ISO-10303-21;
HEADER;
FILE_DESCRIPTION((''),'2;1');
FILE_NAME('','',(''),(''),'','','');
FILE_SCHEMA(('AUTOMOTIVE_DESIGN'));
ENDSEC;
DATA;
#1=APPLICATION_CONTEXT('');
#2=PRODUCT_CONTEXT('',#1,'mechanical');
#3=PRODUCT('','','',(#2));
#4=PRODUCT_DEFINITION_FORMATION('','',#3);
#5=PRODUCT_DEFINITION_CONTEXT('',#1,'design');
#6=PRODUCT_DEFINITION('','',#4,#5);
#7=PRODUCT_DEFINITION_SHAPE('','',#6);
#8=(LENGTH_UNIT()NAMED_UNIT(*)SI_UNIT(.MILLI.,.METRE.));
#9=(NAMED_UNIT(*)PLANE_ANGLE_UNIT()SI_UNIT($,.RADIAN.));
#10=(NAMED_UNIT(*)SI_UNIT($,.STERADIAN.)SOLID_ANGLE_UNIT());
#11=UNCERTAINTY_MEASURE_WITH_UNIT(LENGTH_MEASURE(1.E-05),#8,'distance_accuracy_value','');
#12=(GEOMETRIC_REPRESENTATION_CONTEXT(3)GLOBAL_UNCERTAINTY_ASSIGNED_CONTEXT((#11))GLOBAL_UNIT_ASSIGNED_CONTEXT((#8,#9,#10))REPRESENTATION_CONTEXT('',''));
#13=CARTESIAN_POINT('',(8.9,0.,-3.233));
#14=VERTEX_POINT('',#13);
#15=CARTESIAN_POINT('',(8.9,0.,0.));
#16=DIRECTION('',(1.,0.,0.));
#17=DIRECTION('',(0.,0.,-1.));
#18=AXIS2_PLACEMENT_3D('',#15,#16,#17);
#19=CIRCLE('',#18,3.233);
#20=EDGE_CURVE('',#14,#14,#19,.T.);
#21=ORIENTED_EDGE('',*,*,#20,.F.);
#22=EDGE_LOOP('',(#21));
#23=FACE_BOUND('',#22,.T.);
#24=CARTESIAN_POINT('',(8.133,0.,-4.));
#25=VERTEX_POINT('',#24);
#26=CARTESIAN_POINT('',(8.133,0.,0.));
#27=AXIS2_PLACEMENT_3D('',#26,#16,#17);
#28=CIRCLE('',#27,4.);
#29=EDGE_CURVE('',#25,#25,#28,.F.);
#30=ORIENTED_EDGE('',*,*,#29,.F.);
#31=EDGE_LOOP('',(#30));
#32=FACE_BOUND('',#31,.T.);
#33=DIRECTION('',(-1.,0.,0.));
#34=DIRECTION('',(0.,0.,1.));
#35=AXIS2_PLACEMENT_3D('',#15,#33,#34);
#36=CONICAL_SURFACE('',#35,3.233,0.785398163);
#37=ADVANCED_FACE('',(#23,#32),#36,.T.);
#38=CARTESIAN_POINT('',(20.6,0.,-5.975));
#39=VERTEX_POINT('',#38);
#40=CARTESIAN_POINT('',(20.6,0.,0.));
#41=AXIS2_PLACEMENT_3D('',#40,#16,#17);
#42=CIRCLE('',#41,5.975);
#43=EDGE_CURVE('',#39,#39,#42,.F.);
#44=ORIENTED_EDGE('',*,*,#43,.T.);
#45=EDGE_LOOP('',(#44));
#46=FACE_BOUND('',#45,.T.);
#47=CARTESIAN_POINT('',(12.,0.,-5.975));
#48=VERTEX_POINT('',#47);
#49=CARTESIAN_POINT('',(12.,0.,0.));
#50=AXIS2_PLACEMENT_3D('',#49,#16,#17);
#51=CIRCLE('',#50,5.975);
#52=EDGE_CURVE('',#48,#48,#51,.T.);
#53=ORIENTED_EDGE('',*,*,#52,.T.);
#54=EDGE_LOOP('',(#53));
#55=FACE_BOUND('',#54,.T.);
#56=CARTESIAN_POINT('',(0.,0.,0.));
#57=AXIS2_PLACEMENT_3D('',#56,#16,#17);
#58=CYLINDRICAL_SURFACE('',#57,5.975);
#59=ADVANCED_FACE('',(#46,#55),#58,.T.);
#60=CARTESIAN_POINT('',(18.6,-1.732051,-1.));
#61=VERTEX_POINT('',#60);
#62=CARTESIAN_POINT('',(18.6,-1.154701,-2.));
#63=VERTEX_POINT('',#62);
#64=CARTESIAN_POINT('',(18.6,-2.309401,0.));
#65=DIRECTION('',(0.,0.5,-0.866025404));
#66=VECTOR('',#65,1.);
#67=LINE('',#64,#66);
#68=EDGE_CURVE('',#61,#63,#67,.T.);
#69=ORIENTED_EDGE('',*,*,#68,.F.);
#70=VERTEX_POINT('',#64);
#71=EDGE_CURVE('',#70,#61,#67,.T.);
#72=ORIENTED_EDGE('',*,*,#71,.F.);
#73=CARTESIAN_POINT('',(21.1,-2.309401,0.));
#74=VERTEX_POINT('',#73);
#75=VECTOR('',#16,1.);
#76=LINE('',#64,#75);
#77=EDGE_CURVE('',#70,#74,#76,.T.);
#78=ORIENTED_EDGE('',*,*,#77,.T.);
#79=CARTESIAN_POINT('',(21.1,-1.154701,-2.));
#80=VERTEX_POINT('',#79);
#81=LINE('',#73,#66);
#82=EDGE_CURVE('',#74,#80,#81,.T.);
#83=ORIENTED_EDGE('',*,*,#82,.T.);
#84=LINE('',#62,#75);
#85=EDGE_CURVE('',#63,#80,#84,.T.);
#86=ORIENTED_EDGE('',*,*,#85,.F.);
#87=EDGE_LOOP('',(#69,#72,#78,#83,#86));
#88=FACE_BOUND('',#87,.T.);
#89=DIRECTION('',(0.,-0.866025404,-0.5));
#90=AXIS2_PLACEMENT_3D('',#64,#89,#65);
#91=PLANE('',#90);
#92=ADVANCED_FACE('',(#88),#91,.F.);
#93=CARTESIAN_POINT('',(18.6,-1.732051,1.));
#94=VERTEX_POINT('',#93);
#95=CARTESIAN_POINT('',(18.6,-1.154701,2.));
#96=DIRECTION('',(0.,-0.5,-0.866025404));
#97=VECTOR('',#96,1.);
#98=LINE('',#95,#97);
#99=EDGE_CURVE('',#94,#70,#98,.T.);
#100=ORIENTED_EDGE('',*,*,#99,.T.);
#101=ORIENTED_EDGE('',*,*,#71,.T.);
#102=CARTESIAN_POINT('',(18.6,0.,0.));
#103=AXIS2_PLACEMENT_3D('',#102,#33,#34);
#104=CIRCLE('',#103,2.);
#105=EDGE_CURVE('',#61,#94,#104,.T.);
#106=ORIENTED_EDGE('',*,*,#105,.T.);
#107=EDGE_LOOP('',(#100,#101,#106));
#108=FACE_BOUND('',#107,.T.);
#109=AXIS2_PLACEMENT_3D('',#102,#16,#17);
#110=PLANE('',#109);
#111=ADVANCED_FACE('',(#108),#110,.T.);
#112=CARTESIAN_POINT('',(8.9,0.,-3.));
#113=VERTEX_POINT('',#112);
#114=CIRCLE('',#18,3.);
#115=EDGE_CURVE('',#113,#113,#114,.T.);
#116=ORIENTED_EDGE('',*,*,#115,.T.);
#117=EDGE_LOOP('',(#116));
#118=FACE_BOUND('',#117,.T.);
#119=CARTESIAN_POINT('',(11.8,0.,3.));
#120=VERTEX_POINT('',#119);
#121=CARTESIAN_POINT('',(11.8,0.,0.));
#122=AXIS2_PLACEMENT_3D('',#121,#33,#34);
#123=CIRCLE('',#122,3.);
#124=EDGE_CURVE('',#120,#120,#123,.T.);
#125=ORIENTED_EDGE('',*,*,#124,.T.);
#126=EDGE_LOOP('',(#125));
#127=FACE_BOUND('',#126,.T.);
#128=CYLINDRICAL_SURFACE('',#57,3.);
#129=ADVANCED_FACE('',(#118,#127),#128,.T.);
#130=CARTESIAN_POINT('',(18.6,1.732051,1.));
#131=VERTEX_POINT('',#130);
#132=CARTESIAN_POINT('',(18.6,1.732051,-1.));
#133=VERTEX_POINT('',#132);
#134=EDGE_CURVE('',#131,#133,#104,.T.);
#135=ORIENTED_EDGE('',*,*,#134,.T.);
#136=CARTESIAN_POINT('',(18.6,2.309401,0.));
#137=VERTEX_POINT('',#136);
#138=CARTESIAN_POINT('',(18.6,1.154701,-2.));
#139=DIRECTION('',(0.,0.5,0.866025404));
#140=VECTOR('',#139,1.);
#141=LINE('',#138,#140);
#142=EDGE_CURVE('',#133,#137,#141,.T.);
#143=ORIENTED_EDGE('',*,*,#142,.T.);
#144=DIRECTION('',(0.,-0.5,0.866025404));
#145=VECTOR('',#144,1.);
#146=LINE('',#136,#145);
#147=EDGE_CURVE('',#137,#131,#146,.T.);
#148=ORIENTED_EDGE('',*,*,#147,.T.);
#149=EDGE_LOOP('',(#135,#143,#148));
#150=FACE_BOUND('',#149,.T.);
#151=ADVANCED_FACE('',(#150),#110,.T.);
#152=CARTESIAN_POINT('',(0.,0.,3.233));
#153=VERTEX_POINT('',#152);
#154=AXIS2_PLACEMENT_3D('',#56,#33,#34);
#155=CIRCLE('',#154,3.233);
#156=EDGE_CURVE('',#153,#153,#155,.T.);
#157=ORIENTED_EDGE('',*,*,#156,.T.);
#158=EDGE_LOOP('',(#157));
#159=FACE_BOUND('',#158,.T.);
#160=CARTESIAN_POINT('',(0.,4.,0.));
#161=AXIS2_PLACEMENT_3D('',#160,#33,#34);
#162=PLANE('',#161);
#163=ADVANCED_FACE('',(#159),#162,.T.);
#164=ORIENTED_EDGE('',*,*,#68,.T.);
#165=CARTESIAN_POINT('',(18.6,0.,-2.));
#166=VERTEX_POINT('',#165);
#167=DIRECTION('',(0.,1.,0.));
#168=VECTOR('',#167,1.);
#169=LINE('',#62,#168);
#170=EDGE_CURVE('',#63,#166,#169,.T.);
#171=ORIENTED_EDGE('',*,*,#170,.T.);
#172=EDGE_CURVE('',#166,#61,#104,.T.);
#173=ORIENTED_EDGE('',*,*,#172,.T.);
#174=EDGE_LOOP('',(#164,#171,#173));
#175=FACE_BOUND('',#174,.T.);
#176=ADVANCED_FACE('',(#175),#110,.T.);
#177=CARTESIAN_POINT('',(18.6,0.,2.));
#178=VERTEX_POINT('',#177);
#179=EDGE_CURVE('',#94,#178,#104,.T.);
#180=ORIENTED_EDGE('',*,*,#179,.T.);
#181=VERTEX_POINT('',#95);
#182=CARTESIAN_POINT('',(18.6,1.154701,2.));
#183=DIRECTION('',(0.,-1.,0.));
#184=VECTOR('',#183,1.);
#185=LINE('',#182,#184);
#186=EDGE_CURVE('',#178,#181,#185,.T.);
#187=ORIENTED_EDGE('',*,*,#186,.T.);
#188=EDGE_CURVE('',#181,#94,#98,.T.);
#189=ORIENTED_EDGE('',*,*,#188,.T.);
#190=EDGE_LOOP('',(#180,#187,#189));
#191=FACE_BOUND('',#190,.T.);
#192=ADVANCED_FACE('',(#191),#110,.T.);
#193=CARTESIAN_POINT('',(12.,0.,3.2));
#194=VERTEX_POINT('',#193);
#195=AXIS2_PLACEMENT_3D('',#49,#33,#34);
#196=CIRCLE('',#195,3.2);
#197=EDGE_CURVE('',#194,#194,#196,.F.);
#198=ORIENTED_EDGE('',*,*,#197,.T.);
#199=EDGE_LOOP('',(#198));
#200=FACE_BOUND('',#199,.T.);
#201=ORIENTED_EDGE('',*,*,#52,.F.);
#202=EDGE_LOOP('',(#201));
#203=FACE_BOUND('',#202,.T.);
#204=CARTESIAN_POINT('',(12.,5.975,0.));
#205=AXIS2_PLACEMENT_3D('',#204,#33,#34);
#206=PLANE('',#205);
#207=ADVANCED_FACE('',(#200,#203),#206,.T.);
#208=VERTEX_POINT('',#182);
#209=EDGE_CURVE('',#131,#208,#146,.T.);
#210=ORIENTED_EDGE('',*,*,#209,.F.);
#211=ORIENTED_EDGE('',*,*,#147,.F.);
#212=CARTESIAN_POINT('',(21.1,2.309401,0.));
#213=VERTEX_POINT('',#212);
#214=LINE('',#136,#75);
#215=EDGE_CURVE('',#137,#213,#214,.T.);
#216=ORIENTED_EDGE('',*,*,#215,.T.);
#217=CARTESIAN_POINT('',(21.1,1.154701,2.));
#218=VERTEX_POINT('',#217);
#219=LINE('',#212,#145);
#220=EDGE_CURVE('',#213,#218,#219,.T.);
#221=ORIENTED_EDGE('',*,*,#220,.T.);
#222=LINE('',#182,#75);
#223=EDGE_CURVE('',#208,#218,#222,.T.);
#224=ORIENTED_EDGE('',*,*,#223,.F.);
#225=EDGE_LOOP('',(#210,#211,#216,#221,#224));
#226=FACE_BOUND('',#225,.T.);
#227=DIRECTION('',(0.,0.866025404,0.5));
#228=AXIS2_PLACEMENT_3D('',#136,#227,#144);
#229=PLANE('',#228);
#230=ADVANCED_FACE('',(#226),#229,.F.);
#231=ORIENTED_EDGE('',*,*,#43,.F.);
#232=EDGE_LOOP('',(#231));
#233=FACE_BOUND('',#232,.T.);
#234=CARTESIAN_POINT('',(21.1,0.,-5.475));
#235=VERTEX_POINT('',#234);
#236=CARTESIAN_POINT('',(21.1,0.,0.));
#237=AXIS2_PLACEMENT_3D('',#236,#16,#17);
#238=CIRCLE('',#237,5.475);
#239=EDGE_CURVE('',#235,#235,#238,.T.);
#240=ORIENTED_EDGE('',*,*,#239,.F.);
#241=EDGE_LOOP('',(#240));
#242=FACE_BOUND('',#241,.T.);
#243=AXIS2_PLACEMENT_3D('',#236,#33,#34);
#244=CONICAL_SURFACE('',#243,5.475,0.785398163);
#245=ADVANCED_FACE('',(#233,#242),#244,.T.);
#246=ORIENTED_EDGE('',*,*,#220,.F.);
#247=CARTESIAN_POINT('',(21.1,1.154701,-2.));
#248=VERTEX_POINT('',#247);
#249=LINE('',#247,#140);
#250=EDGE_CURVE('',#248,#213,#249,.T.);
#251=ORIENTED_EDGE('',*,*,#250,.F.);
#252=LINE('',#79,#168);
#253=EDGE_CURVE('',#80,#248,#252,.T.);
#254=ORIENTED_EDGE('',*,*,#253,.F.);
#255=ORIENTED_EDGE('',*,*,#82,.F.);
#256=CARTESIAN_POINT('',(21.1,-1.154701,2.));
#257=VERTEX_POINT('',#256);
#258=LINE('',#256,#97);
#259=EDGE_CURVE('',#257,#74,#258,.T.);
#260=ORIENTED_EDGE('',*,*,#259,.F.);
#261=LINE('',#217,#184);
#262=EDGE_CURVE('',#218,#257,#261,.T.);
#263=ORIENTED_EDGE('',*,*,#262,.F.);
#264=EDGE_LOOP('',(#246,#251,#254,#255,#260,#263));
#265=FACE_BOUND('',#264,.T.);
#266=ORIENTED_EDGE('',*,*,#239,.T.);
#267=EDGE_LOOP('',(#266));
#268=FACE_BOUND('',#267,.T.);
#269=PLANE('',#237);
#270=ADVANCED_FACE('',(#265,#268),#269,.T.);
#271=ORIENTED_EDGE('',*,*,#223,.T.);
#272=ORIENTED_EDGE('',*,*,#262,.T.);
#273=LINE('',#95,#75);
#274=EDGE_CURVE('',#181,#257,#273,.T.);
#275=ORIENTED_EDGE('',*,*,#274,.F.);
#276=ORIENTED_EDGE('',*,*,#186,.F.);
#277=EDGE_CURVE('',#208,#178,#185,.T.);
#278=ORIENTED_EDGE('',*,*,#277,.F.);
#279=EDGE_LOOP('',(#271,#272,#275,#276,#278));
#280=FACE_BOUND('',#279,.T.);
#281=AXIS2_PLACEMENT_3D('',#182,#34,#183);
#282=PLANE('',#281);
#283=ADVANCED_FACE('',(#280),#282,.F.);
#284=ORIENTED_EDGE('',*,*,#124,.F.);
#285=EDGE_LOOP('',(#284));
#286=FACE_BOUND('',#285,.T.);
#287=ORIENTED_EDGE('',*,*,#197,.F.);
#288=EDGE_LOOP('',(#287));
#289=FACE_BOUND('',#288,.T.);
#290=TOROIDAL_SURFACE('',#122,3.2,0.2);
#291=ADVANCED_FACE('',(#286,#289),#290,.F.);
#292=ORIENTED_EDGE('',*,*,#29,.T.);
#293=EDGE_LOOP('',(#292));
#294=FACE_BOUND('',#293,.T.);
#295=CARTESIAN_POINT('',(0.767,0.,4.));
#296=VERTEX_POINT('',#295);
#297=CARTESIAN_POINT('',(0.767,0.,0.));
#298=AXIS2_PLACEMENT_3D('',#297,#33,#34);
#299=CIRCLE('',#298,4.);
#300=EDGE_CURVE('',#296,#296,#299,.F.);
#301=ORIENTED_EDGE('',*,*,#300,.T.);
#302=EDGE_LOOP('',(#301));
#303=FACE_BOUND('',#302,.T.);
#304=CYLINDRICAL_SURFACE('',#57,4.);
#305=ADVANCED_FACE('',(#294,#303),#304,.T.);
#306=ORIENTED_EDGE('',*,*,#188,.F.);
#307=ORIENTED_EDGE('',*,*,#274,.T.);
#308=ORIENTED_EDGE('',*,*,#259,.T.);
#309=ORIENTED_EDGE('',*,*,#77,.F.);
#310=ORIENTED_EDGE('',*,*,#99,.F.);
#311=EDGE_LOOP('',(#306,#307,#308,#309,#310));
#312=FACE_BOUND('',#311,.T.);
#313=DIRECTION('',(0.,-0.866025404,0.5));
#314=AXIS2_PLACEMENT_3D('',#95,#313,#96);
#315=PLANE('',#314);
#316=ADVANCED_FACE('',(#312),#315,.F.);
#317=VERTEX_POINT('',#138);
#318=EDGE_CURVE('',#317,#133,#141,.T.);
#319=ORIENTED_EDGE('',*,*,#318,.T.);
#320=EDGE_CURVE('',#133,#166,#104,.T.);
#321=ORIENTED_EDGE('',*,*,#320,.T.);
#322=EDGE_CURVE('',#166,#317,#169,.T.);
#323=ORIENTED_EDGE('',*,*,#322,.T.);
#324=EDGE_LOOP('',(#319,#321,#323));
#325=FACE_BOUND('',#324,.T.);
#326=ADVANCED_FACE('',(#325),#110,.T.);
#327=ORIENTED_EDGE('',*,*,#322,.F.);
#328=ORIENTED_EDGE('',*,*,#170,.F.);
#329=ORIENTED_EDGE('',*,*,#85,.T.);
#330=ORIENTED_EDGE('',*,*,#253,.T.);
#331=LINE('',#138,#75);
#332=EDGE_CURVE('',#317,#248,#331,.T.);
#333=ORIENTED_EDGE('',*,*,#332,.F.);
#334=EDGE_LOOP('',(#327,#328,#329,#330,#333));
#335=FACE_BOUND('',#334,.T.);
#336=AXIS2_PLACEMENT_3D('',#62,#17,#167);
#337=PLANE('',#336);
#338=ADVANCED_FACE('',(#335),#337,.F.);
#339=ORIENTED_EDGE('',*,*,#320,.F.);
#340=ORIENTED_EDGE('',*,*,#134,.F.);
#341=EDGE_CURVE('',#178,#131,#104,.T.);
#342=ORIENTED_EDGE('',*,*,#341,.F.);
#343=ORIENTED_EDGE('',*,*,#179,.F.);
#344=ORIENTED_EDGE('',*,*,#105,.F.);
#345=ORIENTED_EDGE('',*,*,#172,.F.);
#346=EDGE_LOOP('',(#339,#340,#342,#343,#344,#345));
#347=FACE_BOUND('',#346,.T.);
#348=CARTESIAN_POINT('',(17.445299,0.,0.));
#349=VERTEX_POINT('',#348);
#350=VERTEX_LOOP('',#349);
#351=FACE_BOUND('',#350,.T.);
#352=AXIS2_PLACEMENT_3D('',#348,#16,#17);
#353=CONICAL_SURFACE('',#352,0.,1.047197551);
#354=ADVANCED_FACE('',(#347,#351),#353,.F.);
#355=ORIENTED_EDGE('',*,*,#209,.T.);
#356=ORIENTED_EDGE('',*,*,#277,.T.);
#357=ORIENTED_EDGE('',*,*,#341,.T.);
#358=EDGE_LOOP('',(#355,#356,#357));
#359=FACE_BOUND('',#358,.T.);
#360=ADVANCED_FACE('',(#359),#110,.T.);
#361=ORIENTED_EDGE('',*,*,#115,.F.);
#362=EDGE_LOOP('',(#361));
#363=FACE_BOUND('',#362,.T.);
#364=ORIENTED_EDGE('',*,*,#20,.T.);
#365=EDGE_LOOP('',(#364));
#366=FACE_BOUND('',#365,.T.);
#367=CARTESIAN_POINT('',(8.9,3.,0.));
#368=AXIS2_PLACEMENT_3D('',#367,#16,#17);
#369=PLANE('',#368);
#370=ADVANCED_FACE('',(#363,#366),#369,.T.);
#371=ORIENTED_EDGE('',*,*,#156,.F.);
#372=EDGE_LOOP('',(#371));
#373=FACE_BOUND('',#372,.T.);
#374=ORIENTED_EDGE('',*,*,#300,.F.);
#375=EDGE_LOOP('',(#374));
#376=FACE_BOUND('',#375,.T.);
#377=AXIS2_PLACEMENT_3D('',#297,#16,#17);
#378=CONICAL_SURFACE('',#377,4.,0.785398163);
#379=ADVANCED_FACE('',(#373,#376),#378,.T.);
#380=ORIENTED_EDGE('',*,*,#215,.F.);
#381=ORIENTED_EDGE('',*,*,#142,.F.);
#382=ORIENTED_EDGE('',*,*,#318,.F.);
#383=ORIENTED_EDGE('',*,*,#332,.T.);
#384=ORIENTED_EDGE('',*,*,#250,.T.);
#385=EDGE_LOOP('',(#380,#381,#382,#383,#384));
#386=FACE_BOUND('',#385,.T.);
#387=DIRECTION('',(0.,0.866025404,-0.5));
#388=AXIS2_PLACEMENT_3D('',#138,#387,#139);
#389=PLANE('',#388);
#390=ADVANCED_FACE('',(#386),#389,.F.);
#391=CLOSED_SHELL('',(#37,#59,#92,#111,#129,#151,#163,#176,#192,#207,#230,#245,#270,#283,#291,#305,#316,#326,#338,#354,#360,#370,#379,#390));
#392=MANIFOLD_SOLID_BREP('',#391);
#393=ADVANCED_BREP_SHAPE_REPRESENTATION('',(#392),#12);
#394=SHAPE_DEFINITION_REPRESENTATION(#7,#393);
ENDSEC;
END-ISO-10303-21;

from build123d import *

# Parameters (mm, degrees)
CUT_EXTRUDE1_DEPTH = 2.5
CHAMFER1_SIZE      = 0.767
CHAMFER2_SIZE      = 0.5
FILLET1_R          = 0.2


with BuildPart() as part:
    # Sketch1 → Revolve1 (revolve)
    with BuildSketch(Plane.XY):
        Polygon((0, 4), (0, 0), (21.1, 0), (21.1, 5.975), (12, 5.975), (12, 3), (8.9, 3), (8.9, 4), align=None)
    revolve(axis=Axis((0, 0, 0), (1, 0, 0)))

    # Sketch2 → Cut-Extrude1 (cut)
    with BuildSketch(Plane(origin=(21.1, 0, 0), x_dir=(0, 0, -1), z_dir=(1, 0, 0))):
        Polygon((0, -2.309401077), (2, -1.154700538), (2, 1.154700538), (0, 2.309401077), (-2, 1.154700538), (-2, -1.154700538), align=None)
    extrude(amount=-CUT_EXTRUDE1_DEPTH, mode=Mode.SUBTRACT)

    # Sketch3 → Cut-Revolve1 (revolve, cut)
    with BuildSketch(Plane(origin=(0, 0, 0), x_dir=(-1, 0, 0), z_dir=(0, 0, -1))):
        Polygon((-18.6, 2), (-18.6, 0), (-17.445299462, 0), align=None)
    revolve(axis=Axis((18.600025, 0, 0), (-1, 0, 0)), mode=Mode.SUBTRACT)

    # Chamfer1
    chamfer1_edges = [part.edges().sort_by_distance(p)[0] for p in [
        (0, -4, 0),
        (8.9, -4, 0),
    ]]
    chamfer(chamfer1_edges, length=CHAMFER1_SIZE)

    # Chamfer2
    chamfer2_edges = [part.edges().sort_by_distance(p)[0] for p in [
        (21.1, -5.975, 0),
    ]]
    chamfer(chamfer2_edges, length=CHAMFER2_SIZE)

    # Fillet1
    fillet1_edges = [part.edges().sort_by_distance(p)[0] for p in [
        (12, -3, 0),
    ]]
    fillet(fillet1_edges, radius=FILLET1_R)


solid = part.part
